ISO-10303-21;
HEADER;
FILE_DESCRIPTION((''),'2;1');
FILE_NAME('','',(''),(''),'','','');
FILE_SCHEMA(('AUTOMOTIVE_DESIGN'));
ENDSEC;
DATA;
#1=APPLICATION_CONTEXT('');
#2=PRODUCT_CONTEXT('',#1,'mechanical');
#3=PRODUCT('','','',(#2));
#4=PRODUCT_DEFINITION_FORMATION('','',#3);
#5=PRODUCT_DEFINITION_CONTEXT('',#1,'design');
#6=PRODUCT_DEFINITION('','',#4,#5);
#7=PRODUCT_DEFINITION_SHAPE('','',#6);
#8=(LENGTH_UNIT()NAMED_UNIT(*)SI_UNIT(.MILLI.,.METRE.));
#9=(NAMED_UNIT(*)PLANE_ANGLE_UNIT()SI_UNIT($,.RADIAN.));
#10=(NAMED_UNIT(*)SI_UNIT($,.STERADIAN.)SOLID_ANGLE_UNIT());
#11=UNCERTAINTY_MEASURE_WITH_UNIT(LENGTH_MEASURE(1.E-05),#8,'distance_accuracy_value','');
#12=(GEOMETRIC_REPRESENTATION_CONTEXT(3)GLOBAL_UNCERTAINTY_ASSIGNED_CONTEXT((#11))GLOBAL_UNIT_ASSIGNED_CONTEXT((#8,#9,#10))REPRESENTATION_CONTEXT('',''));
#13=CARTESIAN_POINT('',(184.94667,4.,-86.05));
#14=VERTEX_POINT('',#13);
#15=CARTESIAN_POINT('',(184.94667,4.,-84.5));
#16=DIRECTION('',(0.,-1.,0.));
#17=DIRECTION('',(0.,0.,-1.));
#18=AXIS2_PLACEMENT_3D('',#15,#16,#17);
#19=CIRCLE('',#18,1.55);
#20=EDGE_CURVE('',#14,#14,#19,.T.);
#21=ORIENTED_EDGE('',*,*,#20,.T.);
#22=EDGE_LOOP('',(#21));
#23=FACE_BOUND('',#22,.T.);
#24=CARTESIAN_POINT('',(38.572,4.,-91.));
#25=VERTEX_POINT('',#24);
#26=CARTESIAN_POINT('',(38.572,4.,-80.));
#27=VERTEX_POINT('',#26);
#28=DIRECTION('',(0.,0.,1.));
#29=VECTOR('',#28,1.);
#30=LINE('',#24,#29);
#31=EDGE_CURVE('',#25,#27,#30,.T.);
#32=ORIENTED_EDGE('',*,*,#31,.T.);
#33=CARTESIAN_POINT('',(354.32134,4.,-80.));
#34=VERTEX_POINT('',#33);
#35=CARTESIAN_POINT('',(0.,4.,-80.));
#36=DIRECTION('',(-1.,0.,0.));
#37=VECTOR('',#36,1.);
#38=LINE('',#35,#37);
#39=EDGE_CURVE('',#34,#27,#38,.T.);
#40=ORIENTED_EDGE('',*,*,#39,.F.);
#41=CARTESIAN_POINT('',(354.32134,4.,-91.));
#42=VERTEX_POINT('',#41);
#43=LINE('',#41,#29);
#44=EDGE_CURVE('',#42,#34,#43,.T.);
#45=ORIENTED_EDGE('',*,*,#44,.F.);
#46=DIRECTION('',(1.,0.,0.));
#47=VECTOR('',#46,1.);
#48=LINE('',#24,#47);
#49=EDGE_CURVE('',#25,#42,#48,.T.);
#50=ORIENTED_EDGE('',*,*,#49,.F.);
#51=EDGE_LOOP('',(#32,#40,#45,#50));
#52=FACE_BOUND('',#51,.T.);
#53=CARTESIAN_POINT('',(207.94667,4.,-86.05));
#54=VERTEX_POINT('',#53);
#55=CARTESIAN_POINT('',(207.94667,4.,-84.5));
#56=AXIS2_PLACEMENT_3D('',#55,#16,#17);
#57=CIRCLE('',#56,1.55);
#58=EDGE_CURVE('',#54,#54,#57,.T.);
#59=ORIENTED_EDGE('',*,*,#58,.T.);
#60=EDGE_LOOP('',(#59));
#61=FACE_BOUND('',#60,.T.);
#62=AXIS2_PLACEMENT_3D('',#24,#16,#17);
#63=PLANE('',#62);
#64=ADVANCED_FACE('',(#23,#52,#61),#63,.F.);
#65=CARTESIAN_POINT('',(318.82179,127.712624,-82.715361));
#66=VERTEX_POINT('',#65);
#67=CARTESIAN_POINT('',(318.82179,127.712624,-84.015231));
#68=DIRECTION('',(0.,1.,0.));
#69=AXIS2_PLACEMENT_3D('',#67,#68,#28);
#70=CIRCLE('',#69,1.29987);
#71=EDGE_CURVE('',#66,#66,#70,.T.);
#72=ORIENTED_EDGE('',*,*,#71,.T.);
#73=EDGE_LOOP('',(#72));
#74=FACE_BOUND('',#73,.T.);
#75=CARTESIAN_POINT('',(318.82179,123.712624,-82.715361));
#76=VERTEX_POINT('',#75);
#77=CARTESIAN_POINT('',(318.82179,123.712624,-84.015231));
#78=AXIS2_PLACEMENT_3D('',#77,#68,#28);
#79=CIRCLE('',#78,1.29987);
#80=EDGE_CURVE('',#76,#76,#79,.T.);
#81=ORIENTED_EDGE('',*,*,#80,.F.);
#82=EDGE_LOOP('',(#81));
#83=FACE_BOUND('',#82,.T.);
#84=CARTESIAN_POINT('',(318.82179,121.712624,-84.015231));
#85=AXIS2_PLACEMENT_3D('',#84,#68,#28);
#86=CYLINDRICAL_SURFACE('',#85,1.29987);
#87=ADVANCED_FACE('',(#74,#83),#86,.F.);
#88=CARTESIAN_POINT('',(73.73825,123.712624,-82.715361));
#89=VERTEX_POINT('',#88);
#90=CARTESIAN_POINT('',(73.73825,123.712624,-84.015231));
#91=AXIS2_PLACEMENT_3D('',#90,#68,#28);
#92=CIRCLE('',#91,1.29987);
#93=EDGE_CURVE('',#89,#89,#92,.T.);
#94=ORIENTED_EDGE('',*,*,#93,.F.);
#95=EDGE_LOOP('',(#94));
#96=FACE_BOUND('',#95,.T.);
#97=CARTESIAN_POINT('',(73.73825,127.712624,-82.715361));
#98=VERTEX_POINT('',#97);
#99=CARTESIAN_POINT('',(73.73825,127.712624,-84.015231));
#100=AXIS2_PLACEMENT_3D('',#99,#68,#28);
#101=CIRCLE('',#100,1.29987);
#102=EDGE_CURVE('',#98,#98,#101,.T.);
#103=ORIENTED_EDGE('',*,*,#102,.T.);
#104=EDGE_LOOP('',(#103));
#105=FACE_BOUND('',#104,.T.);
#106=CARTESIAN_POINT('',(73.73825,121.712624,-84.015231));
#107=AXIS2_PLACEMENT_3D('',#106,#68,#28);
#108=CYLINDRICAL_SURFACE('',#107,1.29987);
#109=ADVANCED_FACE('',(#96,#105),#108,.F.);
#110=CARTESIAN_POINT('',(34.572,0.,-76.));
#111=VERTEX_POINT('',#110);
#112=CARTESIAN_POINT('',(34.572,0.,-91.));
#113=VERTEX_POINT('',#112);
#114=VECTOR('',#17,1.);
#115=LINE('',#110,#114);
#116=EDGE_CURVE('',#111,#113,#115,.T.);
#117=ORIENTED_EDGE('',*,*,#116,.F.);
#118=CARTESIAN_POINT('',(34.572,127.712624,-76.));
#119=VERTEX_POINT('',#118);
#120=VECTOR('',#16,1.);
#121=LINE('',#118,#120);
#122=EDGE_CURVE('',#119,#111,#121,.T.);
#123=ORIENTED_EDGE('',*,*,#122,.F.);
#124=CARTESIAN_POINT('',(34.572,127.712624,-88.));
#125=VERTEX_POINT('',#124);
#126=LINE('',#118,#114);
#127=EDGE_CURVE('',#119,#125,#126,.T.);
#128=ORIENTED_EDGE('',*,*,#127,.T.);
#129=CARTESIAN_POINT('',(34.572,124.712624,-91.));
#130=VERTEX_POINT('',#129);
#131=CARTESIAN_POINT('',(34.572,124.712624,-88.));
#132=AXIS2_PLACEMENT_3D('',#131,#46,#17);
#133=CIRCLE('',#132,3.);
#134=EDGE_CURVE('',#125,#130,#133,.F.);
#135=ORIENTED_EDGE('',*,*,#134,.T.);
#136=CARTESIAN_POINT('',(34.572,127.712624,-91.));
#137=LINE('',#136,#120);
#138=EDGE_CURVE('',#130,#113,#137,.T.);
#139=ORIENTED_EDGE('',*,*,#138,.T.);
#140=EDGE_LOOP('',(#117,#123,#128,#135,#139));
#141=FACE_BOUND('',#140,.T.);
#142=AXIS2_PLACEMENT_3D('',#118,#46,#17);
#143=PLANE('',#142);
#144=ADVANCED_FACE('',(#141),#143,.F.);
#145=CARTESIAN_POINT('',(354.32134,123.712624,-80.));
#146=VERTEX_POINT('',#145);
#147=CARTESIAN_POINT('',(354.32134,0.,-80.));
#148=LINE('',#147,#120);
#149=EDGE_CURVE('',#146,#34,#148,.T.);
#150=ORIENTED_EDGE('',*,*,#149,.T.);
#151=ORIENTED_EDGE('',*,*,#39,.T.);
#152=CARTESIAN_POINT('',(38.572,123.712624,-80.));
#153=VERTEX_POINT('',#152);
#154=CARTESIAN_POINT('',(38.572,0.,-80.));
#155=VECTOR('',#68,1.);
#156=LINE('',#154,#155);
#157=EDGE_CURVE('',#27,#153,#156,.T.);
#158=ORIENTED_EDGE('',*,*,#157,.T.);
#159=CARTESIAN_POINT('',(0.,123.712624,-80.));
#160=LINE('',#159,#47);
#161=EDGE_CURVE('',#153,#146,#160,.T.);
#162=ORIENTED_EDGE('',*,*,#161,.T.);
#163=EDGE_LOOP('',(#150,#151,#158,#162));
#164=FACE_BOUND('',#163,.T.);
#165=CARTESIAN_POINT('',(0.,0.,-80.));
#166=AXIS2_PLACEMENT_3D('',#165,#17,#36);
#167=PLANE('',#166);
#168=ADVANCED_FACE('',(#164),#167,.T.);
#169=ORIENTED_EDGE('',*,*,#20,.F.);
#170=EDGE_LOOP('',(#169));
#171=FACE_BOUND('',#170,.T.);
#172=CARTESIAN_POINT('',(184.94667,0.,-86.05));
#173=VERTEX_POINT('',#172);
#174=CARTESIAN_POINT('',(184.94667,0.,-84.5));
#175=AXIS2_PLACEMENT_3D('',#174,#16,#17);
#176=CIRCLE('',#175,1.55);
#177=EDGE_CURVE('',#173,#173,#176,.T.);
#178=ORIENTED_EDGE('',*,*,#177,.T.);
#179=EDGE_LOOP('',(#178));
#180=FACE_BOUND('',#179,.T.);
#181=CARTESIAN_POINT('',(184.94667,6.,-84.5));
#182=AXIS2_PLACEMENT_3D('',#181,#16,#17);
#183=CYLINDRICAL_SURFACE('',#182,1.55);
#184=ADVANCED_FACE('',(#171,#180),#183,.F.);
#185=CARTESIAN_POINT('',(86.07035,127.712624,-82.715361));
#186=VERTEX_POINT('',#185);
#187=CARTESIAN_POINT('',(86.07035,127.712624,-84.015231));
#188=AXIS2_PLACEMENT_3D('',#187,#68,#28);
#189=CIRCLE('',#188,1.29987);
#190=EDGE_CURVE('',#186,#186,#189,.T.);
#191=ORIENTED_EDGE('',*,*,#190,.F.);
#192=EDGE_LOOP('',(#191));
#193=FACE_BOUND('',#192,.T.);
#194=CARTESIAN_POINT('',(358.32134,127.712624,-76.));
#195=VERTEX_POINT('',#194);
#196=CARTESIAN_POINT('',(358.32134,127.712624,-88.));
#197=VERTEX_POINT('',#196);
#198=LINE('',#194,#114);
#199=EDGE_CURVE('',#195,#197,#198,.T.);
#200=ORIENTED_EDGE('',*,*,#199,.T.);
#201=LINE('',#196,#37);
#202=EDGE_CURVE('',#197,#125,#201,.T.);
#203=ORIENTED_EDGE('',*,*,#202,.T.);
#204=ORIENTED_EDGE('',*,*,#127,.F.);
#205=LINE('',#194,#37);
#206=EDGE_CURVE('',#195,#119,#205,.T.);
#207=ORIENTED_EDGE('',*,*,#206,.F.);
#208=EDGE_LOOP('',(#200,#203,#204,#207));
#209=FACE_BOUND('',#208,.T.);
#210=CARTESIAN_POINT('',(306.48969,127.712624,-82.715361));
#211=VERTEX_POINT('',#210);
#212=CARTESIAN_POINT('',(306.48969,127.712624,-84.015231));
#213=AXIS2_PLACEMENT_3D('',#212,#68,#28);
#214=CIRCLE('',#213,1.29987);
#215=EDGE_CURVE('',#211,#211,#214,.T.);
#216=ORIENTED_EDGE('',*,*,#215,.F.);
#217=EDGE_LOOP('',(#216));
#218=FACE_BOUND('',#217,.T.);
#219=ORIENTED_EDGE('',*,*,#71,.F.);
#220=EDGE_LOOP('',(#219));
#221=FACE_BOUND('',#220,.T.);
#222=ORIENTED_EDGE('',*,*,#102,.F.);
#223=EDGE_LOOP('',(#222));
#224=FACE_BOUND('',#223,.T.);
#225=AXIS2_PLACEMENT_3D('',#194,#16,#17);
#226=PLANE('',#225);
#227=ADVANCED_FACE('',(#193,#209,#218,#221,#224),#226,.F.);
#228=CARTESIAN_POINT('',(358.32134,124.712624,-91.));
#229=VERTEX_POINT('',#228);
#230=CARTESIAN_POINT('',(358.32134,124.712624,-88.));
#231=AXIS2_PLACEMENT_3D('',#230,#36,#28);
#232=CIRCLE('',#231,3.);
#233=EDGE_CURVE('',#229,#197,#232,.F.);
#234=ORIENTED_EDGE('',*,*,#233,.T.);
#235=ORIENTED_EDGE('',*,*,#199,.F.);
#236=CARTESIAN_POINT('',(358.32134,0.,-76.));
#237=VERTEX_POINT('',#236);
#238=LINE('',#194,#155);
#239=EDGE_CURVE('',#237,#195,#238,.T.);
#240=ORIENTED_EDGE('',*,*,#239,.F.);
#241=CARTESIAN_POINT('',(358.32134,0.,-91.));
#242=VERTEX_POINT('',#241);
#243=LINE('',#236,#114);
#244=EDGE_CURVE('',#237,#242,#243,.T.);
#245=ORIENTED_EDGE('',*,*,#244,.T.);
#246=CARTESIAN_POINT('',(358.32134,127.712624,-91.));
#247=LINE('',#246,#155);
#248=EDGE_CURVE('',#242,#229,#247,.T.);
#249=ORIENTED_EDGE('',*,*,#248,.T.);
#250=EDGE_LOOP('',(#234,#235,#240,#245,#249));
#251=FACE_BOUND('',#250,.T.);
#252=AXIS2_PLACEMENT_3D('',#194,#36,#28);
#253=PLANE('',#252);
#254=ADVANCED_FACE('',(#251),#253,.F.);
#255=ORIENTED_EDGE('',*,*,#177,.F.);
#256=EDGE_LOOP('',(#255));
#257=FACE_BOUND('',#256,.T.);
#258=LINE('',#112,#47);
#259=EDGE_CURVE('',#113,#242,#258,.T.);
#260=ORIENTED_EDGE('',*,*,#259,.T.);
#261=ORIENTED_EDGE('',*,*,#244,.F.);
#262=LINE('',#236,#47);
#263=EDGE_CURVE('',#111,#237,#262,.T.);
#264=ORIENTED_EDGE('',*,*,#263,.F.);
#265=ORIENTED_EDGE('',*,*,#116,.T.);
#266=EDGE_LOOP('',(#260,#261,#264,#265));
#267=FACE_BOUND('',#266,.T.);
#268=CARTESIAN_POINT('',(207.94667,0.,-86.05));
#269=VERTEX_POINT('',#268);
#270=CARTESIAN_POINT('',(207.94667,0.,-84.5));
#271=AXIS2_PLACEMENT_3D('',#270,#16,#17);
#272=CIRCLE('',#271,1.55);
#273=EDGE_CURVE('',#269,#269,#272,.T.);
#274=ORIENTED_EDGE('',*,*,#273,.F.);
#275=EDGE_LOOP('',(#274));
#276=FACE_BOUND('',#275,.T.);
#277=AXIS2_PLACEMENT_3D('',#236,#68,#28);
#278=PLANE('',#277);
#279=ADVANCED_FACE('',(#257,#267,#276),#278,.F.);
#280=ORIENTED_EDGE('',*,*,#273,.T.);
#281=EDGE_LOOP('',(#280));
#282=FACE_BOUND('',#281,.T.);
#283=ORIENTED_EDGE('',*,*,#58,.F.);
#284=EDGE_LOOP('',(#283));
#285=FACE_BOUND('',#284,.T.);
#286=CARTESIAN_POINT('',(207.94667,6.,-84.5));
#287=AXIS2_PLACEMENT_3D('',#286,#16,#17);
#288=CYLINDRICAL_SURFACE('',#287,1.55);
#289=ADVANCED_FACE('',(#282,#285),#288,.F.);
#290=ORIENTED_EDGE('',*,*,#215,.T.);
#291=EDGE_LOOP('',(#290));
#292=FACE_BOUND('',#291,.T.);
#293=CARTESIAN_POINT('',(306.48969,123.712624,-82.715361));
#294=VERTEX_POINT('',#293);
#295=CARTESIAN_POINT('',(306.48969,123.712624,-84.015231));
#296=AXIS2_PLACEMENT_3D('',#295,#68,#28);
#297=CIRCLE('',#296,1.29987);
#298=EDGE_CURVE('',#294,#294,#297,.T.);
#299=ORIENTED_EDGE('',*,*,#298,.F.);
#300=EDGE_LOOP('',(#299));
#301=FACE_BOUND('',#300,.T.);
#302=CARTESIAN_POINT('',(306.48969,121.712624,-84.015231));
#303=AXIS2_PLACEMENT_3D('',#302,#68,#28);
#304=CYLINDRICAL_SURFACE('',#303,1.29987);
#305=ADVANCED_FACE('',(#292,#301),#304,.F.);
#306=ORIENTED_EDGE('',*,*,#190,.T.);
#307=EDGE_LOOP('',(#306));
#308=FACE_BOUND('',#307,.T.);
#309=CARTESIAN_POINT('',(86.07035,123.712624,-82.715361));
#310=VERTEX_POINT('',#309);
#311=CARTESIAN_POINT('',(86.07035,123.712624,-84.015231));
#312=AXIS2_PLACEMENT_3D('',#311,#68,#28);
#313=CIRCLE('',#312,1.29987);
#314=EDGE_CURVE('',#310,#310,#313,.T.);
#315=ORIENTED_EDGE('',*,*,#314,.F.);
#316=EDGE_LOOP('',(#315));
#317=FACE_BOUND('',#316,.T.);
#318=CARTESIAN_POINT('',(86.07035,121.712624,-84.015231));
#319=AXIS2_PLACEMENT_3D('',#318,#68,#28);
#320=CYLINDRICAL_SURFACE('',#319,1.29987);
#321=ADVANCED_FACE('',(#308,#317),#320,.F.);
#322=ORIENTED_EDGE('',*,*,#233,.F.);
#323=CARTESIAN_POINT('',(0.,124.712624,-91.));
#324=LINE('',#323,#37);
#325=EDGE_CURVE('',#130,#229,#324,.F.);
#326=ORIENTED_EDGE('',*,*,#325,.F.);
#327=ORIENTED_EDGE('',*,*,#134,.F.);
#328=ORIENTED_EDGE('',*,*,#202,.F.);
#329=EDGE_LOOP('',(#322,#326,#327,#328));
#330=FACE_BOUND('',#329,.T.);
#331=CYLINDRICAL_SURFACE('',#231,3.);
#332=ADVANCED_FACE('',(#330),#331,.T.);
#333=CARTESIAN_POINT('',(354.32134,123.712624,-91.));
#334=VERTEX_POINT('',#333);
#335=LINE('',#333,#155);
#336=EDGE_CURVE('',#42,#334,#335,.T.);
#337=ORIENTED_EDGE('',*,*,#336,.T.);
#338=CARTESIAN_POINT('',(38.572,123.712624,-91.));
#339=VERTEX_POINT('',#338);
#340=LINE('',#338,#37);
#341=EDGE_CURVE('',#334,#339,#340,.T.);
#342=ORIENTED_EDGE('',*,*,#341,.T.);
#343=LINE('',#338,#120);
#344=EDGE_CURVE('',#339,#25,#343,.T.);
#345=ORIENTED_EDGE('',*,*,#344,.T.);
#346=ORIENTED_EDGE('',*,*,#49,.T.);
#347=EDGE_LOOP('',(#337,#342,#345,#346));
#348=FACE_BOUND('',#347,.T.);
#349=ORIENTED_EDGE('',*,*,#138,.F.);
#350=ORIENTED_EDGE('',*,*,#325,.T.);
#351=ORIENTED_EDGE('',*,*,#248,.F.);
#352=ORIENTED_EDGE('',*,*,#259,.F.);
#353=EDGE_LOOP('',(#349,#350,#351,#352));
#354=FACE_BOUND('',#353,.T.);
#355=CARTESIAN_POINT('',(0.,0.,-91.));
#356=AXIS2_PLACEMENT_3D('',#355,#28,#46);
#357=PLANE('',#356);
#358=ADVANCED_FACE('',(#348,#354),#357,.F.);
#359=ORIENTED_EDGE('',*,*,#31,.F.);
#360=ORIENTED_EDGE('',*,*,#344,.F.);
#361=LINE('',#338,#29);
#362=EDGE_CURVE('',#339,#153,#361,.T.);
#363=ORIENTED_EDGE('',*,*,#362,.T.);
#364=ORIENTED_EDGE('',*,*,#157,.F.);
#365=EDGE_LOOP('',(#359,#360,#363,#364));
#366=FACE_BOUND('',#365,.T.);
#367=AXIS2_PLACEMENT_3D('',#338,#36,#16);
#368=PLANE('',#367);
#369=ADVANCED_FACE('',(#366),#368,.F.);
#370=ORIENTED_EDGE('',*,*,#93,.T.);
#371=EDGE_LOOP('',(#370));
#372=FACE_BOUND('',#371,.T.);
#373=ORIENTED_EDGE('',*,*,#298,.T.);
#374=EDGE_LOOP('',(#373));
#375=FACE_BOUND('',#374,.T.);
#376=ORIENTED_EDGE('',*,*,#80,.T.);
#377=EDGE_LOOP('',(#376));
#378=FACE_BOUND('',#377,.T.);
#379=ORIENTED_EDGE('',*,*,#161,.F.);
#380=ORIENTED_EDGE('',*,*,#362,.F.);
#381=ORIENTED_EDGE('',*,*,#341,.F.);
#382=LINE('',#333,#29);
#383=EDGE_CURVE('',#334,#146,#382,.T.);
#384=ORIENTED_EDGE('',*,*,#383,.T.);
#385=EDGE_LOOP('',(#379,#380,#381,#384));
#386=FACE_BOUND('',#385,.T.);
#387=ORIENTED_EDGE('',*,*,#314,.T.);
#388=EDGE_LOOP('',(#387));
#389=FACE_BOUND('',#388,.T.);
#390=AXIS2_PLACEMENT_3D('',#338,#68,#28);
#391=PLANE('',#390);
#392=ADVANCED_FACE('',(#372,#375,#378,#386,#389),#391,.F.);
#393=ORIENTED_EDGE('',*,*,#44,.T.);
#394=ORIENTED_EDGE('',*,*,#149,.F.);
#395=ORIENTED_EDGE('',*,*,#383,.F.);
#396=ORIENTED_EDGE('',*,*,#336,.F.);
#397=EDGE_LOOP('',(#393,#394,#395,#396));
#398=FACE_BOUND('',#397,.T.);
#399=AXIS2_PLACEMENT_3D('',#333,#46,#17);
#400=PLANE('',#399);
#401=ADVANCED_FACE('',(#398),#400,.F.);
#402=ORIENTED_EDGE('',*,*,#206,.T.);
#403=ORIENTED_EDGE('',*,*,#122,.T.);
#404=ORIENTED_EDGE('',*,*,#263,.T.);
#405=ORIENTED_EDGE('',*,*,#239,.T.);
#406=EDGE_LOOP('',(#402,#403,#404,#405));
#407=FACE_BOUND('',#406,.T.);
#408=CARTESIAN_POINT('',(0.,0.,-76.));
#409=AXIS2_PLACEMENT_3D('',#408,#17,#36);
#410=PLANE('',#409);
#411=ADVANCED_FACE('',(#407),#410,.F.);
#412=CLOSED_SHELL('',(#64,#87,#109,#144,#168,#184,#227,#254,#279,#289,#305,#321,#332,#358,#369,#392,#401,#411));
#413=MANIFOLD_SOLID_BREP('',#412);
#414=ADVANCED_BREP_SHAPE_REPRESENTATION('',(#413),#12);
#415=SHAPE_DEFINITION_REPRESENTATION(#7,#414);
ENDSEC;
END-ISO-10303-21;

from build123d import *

# Parameters (mm, degrees)
BOSS_EXTRUDE1_START = -80
SKETCH1_W           = 323.749339931
SKETCH1_H           = 127.712624425
BOSS_EXTRUDE1_DEPTH = 4
SKETCH4_W           = 323.749339931
SKETCH4_H           = 127.712624425
SKETCH4_W_2         = 315.749339931
SKETCH4_H_2         = 119.712624425
BOSS_EXTRUDE2_DEPTH = 15
SKETCH6_R           = 1.55
CUT_EXTRUDE2_DEPTH  = 6
SKETCH10_R          = 1.29987
CUT_EXTRUDE3_DEPTH  = 6
FILLET1_R           = 3


with BuildPart() as part:
    # Sketch1 → Boss-Extrude1 (new body)
    with BuildSketch(Plane.XY.offset(BOSS_EXTRUDE1_START)):
        with Locations((196.446669966, 63.856312213)):
            Rectangle(SKETCH1_W, SKETCH1_H)
    extrude(amount=BOSS_EXTRUDE1_DEPTH)

    # Sketch4 → Boss-Extrude2 (add)
    with BuildSketch(Plane.XY.offset(-76)):
        with Locations((196.446669966, 63.856312213)):
            Rectangle(SKETCH4_W, SKETCH4_H)
        with Locations((196.446669966, 63.856312213)):
            Rectangle(SKETCH4_W_2, SKETCH4_H_2, mode=Mode.SUBTRACT)
    extrude(amount=-BOSS_EXTRUDE2_DEPTH)

    # Sketch6 → Cut-Extrude2 (cut)
    with BuildSketch(Plane.XZ):
        with Locations(Location((207.946669965, -84.5, 0), (0, 0, 270))):
            Circle(SKETCH6_R)
        with Locations(Location((184.946669965, -84.5, 0), (0, 0, 270))):
            Circle(SKETCH6_R)
    extrude(amount=-CUT_EXTRUDE2_DEPTH, mode=Mode.SUBTRACT)

    # Sketch10 → Cut-Extrude3 (cut)
    with BuildSketch(Plane(origin=(0, 127.712624425, 0), x_dir=(1, 0, 0), z_dir=(0, 1, 0))):
        with Locations(Location((306.489689931, 84.015230538, 0), (0, 0, 270))):
            Circle(SKETCH10_R)
        with Locations(Location((318.821789931, 84.015230538, 0), (0, 0, 270))):
            Circle(SKETCH10_R)
        with Locations(Location((73.73825, 84.015230538, 0), (0, 0, 270))):
            Circle(SKETCH10_R)
        with Locations(Location((86.07035, 84.015230538, 0), (0, 0, 270))):
            Circle(SKETCH10_R)
    extrude(amount=-CUT_EXTRUDE3_DEPTH, mode=Mode.SUBTRACT)

    # Fillet1
    fillet1_edges = [part.edges().sort_by_distance(p)[0] for p in [
        (196.446669965, 127.712624425, -91),
    ]]
    fillet(fillet1_edges, radius=FILLET1_R)


solid = part.part
